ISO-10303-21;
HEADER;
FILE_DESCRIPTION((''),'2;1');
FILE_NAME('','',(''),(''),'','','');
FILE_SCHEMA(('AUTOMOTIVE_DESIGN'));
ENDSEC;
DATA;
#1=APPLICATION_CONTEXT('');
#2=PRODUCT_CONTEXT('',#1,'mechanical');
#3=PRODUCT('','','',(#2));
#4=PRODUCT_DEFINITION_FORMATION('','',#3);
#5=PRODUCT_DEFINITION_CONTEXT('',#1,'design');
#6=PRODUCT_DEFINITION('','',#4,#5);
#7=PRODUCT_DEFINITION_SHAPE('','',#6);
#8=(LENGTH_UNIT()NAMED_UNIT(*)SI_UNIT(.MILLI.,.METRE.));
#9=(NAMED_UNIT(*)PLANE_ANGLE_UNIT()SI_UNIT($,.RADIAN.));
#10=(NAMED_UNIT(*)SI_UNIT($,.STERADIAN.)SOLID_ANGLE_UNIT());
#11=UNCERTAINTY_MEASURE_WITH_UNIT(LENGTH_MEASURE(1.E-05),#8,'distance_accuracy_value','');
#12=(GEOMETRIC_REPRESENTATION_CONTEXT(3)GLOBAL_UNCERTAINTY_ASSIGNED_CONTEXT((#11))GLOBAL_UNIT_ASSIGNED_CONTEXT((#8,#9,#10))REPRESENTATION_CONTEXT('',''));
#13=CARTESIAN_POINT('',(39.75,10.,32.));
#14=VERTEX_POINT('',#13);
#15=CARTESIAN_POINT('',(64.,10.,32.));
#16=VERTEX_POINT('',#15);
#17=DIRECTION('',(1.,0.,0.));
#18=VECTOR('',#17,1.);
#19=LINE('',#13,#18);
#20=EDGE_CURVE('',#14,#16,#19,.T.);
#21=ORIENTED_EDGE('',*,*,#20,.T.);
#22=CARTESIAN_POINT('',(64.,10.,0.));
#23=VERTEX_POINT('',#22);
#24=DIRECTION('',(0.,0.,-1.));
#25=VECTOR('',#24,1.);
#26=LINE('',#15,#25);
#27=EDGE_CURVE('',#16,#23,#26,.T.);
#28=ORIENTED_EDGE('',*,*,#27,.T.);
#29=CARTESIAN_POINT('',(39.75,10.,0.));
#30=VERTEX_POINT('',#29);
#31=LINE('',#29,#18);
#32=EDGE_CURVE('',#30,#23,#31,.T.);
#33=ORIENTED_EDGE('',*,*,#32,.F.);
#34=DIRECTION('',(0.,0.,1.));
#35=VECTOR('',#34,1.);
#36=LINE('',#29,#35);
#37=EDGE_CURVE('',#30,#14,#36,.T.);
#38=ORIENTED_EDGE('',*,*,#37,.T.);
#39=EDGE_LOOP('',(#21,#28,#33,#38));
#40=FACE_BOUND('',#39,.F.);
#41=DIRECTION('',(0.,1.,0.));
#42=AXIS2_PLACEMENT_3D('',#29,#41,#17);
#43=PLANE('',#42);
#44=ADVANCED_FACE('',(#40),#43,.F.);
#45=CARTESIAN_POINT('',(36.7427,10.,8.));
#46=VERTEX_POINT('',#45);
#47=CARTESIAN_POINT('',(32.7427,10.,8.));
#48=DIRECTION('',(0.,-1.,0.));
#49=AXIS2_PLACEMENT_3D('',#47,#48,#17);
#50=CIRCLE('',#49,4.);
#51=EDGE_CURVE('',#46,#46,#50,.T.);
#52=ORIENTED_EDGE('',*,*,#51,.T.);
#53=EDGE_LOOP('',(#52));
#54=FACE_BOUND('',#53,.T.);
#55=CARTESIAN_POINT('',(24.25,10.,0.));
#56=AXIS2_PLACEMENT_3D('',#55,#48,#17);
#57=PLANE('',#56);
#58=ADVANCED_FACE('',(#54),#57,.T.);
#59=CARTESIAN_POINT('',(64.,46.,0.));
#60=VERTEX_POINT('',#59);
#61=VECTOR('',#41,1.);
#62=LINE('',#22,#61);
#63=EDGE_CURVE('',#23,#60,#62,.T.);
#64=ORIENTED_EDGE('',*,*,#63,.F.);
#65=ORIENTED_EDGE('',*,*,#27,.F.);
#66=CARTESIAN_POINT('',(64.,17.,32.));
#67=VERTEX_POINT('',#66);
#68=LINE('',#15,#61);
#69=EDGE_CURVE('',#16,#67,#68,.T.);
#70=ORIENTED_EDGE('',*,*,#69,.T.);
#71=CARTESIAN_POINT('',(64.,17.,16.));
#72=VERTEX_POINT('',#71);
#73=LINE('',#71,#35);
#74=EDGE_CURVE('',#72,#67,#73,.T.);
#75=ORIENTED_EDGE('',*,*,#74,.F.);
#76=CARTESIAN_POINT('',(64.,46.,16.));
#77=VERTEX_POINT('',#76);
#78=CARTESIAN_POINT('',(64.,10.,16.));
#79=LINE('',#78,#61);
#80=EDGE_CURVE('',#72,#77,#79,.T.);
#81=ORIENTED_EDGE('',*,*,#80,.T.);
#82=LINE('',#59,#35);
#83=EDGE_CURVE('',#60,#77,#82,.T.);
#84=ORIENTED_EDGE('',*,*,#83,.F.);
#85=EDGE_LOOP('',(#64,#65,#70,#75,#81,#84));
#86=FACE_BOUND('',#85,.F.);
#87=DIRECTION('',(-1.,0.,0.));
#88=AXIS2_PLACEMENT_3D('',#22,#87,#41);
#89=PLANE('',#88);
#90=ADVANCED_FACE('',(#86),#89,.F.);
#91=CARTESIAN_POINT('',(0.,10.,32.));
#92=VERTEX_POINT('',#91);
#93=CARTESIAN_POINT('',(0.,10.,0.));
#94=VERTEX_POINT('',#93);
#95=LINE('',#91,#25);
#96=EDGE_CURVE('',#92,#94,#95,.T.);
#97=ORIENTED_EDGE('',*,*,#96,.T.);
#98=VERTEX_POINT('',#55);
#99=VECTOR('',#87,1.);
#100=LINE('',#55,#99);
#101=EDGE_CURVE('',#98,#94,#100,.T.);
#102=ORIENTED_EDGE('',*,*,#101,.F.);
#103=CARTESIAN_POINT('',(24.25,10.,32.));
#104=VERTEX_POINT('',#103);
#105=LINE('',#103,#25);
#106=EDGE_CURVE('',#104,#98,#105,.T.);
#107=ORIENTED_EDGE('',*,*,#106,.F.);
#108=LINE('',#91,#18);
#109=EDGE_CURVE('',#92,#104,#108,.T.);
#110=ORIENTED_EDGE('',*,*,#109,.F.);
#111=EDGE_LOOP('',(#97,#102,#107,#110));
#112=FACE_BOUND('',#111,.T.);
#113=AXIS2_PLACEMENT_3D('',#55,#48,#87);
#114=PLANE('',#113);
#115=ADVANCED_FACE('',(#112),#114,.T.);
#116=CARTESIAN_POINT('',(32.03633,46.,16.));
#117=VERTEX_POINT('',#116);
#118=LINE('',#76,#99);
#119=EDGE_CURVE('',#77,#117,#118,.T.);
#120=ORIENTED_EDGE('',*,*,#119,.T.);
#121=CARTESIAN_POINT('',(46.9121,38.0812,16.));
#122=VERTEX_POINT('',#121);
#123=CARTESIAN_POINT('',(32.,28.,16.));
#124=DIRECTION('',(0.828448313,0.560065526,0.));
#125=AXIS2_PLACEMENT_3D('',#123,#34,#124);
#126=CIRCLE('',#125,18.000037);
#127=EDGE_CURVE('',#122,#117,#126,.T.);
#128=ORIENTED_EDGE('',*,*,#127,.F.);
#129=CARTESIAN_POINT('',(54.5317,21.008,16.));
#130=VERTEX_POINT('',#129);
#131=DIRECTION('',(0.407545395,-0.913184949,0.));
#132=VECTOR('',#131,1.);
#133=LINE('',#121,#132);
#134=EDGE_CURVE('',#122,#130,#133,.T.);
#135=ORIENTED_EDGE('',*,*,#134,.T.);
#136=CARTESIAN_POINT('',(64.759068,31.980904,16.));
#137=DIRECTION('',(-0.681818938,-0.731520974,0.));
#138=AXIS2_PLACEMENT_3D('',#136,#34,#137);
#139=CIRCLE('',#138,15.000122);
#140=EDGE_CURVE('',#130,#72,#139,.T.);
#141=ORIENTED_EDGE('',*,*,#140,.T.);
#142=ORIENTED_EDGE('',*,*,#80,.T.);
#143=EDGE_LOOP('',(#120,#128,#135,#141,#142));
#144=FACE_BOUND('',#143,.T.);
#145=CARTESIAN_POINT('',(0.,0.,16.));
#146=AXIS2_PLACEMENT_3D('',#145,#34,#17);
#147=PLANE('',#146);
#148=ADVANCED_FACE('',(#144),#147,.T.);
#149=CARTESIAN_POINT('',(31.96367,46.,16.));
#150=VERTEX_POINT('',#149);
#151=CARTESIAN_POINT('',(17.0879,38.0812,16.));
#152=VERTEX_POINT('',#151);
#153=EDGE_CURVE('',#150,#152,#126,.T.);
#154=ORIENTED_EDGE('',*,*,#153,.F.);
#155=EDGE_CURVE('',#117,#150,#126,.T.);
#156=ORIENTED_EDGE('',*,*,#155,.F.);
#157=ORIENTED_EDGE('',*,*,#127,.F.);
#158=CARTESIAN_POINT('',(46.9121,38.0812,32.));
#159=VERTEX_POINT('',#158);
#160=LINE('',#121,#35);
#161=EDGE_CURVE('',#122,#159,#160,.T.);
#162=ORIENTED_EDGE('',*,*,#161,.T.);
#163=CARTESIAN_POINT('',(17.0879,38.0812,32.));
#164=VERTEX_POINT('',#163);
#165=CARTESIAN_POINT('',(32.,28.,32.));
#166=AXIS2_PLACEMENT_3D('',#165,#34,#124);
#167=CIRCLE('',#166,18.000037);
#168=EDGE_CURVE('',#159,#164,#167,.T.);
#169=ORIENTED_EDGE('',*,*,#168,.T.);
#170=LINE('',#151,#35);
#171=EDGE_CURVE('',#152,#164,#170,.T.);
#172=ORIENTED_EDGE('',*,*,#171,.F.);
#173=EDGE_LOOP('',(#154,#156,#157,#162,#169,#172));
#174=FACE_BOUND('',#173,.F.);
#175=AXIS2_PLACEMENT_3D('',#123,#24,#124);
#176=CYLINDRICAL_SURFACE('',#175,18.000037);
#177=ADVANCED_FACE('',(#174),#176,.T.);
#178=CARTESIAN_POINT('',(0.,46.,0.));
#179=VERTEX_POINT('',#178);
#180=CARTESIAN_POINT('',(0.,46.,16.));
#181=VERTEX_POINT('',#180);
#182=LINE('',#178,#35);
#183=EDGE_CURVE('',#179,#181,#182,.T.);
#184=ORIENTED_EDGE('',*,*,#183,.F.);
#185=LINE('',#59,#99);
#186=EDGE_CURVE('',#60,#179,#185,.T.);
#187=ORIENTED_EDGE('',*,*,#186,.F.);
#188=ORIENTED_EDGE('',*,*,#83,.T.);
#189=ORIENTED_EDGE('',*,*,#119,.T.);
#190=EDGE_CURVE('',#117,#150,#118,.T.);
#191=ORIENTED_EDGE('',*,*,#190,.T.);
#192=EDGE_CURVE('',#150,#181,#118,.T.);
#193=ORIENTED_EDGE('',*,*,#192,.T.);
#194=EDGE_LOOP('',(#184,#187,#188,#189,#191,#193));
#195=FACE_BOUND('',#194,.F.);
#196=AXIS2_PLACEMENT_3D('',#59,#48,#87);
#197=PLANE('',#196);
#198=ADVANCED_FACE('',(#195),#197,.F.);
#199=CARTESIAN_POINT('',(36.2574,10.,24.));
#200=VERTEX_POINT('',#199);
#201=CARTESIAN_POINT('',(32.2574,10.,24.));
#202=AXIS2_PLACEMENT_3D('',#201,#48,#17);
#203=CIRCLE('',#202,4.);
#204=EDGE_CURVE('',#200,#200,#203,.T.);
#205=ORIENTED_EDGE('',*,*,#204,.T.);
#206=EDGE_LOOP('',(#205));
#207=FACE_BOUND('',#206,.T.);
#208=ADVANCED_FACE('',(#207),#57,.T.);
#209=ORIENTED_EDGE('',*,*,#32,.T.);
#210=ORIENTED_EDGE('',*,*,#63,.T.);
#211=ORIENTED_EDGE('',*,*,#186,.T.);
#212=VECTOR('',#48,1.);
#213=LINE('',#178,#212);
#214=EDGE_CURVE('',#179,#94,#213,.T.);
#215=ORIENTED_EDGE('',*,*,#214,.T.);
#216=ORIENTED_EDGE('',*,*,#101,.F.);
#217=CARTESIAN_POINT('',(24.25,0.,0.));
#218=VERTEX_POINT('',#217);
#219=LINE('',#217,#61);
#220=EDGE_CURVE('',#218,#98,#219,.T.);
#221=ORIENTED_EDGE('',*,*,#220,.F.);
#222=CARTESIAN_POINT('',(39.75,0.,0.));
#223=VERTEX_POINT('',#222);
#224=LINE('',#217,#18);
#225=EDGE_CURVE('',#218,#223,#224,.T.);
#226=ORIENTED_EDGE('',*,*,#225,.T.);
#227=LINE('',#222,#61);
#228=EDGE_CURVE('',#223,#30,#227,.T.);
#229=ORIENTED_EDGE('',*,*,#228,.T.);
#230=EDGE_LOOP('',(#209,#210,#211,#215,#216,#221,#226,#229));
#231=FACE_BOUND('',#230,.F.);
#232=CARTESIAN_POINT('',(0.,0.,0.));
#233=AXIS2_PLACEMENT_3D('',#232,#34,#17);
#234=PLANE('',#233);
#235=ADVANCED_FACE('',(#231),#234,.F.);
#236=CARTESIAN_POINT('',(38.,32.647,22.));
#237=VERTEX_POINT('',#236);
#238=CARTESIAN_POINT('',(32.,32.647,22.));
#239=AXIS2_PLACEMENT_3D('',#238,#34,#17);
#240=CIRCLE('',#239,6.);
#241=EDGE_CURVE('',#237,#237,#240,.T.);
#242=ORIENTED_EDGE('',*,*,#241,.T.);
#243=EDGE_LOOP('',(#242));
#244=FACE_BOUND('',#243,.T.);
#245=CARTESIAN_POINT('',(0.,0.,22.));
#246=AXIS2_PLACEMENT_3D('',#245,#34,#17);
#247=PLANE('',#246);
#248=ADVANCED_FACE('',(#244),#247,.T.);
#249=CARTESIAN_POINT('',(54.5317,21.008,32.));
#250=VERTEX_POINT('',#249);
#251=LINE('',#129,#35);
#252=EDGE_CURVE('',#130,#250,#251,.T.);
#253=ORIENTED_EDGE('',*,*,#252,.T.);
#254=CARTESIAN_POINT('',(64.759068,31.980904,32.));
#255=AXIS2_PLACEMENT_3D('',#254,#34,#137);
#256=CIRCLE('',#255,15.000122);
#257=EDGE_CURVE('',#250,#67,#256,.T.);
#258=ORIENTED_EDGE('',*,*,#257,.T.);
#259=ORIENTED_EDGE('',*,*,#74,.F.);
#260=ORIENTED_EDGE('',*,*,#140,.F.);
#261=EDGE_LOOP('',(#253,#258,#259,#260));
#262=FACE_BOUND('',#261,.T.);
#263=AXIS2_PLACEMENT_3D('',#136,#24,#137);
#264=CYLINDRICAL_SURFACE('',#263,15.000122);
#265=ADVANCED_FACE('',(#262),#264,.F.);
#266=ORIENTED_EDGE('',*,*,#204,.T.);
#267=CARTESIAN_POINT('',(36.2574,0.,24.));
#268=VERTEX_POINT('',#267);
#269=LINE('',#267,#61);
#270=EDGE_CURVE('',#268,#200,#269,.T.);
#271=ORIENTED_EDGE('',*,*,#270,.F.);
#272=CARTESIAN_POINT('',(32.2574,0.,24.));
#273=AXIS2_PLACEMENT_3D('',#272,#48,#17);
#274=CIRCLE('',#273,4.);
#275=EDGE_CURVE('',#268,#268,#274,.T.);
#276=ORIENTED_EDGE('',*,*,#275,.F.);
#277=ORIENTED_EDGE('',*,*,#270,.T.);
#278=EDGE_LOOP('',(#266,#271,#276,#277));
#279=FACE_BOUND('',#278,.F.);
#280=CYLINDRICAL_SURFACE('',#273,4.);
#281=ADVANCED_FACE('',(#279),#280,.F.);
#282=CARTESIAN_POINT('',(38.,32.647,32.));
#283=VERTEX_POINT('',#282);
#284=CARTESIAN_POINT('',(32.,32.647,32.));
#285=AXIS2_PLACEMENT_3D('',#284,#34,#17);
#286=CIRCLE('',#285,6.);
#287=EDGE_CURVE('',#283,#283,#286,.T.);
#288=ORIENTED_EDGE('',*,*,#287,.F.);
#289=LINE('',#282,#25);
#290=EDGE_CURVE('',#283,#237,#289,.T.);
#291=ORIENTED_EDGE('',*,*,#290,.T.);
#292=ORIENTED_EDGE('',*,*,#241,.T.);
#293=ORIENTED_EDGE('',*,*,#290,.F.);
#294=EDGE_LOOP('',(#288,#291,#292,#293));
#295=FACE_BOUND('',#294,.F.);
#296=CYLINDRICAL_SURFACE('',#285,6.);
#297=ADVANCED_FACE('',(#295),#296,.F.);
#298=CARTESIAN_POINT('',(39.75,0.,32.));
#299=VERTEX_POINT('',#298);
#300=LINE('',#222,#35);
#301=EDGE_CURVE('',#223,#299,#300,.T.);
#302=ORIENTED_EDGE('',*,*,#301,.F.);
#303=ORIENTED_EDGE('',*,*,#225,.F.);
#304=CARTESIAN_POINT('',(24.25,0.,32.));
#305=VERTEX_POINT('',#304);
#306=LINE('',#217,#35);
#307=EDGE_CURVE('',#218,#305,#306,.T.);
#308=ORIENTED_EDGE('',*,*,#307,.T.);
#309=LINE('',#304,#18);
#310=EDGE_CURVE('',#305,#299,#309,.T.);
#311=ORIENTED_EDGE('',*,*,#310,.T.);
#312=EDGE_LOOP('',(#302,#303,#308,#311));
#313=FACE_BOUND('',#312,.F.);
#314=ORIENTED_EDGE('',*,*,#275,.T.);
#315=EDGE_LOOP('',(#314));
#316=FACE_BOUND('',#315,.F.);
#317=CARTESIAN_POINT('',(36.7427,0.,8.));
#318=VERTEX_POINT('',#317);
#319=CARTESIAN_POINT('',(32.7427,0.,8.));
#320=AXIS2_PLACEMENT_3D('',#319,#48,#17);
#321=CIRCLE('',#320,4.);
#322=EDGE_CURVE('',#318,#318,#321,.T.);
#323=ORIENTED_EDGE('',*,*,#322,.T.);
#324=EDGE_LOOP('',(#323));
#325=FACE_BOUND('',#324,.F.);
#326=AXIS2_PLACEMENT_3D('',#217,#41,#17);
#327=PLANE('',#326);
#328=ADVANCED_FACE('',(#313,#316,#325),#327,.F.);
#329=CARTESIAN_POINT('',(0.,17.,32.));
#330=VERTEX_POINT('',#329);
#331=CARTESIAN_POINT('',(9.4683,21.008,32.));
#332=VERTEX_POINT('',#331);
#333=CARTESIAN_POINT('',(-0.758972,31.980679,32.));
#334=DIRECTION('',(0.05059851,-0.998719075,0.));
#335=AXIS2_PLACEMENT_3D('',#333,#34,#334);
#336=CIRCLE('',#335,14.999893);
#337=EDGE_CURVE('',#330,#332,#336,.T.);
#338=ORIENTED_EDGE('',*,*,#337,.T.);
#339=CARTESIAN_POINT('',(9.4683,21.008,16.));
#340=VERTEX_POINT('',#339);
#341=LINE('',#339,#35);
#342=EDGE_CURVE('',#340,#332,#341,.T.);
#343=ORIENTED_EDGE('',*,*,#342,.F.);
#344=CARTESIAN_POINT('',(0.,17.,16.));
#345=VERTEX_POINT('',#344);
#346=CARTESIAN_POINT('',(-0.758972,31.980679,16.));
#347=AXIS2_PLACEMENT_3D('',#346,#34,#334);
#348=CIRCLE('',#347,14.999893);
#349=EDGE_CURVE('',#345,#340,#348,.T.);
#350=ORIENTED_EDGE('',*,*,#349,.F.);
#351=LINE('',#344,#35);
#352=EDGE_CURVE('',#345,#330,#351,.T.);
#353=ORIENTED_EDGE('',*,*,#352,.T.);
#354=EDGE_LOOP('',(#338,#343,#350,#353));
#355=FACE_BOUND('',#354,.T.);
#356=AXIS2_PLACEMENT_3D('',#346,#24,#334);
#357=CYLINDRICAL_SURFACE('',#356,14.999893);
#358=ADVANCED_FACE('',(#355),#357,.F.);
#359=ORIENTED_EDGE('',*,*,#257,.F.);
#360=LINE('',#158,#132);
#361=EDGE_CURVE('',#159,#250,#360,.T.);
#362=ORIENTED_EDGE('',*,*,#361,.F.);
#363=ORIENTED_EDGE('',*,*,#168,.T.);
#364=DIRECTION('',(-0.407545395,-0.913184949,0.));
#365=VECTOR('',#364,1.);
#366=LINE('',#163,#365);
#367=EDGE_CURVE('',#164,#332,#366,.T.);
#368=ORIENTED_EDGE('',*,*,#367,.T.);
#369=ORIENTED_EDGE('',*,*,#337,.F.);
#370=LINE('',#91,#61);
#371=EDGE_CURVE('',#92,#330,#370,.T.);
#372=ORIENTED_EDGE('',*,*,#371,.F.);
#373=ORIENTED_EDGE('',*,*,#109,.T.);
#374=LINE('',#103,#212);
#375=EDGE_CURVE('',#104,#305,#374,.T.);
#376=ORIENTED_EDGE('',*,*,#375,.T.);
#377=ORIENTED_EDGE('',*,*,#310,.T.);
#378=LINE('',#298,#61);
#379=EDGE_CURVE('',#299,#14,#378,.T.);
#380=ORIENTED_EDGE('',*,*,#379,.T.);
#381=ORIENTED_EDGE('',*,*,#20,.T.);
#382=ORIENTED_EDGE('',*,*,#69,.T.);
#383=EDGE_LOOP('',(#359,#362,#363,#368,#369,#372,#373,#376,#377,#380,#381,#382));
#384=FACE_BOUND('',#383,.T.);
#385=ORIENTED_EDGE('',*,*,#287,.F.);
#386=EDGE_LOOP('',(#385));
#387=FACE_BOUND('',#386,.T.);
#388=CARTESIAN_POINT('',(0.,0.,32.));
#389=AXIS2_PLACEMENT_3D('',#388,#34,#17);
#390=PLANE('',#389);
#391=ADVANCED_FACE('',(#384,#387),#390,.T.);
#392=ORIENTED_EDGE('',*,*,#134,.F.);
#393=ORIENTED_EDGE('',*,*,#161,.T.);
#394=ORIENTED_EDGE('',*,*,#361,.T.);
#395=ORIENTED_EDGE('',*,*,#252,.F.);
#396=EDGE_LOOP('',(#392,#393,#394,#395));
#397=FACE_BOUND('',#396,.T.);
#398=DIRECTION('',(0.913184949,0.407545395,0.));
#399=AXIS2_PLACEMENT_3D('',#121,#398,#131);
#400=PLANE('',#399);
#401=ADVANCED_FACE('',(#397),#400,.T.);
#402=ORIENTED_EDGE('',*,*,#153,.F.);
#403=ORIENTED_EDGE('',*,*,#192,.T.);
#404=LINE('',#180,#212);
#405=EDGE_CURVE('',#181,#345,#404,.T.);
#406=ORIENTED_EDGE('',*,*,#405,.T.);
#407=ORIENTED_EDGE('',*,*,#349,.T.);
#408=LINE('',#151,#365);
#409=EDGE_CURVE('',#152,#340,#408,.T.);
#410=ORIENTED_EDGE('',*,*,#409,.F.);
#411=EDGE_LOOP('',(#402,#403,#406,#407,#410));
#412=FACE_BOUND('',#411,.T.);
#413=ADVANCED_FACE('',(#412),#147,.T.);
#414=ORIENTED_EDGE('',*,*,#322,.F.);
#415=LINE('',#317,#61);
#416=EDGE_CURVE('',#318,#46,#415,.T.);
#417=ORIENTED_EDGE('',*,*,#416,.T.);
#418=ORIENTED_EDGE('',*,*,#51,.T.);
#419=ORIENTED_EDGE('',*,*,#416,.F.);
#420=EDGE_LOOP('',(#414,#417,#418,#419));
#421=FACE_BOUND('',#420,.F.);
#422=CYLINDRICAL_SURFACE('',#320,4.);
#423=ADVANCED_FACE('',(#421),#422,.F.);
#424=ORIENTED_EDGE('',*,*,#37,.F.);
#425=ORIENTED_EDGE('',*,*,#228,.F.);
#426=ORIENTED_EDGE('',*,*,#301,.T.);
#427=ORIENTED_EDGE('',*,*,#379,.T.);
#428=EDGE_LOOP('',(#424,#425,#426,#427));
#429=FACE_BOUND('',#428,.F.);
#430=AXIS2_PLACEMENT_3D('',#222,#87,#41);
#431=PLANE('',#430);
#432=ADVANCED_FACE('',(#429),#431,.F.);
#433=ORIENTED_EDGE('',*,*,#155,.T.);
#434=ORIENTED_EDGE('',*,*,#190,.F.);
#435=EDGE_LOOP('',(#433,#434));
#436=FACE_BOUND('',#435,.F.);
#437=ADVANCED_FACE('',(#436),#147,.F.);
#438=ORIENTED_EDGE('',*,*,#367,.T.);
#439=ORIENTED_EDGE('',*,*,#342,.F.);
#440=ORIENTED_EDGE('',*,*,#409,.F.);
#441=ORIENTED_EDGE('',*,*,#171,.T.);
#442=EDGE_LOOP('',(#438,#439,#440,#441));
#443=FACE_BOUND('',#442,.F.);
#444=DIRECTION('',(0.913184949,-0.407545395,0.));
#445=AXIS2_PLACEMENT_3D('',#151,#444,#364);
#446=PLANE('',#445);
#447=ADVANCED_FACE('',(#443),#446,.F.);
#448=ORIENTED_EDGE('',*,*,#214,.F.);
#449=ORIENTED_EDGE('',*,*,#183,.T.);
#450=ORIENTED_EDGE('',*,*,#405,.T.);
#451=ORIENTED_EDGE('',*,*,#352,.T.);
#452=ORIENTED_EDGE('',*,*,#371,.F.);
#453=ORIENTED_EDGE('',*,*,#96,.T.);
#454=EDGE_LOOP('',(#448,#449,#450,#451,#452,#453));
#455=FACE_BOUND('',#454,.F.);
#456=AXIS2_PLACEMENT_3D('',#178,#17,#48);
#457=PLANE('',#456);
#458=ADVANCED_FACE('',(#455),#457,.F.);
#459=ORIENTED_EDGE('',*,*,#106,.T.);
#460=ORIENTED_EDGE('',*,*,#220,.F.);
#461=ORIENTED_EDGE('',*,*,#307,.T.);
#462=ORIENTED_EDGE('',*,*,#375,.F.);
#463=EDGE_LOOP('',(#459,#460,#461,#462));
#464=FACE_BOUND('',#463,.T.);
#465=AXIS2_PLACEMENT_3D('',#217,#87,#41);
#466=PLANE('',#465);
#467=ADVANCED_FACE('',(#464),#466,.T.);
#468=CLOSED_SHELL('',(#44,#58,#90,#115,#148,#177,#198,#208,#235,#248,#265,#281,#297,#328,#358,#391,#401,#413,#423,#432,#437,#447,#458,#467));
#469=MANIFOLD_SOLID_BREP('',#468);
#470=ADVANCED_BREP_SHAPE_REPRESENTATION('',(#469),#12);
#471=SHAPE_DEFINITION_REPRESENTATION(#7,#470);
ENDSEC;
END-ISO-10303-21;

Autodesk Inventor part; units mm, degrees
ref_plane "YZ Plane" through (0, 0, 0) normal (1, 0, 0) x (0, 1, 0)
ref_plane "XZ Plane" through (0, 0, 0) normal (0, 1, 0) x (-1, 0, 0)
ref_plane "XY Plane" through (0, 0, 0) normal (0, 0, 1) x (1, 0, 0)
sketch "Sketch1" plane through (0, 0, 0) normal (0, 0, 1) x (1, 0, 0)
  line L0 (24.25, 0) -> (39.75, 0)
  line L1 (64, 10) -> (64, 46)
  line L2 (64, 46) -> (0, 46)
  line L3 (0, 46) -> (0, 10)
  line L4 (24.25, 0) -> (24.25, 10)
  line L5 (24.25, 10) -> (0, 10)
  line L6 (39.75, 0) -> (39.75, 10)
  line L7 (39.75, 10) -> (64, 10)
  point P0 (0, 0)
  dimension "d0" = 64
  dimension "d2" = 24.25
  dimension "d3" = 10
extrude "Extrusion1" add sketch "Sketch1" along normal blind 16
sketch "Sketch2" plane through (0, 0, 16) normal (0, 0, 1) x (1, 0, 0)
  line L0 (24.25, 10) -> (24.25, 0) projected
  line L1 (24.25, 10) -> (24.25, 0)
  line L2 (24.25, 0) -> (39.75, 0) projected
  line L3 (24.25, 0) -> (39.75, 0)
  line L4 (39.75, 0) -> (39.75, 10) projected
  line L5 (39.75, 0) -> (39.75, 10)
  line L6 (39.75, 10) -> (64, 10) projected
  line L7 (39.75, 10) -> (64, 10)
  line L8 (64, 10) -> (64, 17)
  line L9 (64, 10) -> (64, 46) projected
  line L10 (0, 10) -> (24.25, 10) projected
  line L11 (0, 10) -> (0, 17)
  line L12 (0, 46) -> (0, 10) projected
  arc A0 (0, 17) -> (9.4683, 21.008) centre (-0.759, 31.9808) ccw
  arc A1 (54.5317, 21.008) -> (64, 17) centre (64.759, 31.9808) ccw
  line L13 (17.0879, 38.0812) -> (9.4683, 21.008)
  line L14 (46.9121, 38.0812) -> (54.5317, 21.008)
  arc A2 (46.9121, 38.0812) -> (17.0879, 38.0812) centre (32, 28) ccw
  point P0 (0, 0)
  dimension "d7" = 7
  dimension "d9" = 30
  dimension "d10" = 30
  dimension "d11" = 7
extrude "Extrusion2" add sketch "Sketch2" along normal blind 16
sketch "Sketch3" plane through (0, 0, 32) normal (0, 0, 1) x (1, 0, 0)
  circle A0 centre (32, 32.647) radius 6
  line L0 (0, 46) -> (0, 17) projected
  line L1 (64, 17) -> (64, 46) projected
  point P0 (0, 0)
  dimension "d14" = 12
  dimension "d15" = 32
  dimension "d16" = 32
extrude "Extrusion3" cut sketch "Sketch3" against normal blind 10
sketch "Sketch5" plane through (24.25, 0, 0) normal (0, -1, 0) x (1, 0, 0)
  circle A0 centre (8.0074, 24) radius 4
  circle A1 centre (8.4927, 8) radius 4
  line L0 (0, 32) -> (15.5, 32) projected
  line L1 (0, 0) -> (15.5, 0) projected
  point P0 (-24.25, 0)
  dimension "d22" = 8
  dimension "d23" = 8
  dimension "d26" = 8
  dimension "d27" = 8
extrude "Extrusion5" cut sketch "Sketch5" against normal blind 10
properties part number "pieza 4. MRKE" material "Steel, Wrought"
